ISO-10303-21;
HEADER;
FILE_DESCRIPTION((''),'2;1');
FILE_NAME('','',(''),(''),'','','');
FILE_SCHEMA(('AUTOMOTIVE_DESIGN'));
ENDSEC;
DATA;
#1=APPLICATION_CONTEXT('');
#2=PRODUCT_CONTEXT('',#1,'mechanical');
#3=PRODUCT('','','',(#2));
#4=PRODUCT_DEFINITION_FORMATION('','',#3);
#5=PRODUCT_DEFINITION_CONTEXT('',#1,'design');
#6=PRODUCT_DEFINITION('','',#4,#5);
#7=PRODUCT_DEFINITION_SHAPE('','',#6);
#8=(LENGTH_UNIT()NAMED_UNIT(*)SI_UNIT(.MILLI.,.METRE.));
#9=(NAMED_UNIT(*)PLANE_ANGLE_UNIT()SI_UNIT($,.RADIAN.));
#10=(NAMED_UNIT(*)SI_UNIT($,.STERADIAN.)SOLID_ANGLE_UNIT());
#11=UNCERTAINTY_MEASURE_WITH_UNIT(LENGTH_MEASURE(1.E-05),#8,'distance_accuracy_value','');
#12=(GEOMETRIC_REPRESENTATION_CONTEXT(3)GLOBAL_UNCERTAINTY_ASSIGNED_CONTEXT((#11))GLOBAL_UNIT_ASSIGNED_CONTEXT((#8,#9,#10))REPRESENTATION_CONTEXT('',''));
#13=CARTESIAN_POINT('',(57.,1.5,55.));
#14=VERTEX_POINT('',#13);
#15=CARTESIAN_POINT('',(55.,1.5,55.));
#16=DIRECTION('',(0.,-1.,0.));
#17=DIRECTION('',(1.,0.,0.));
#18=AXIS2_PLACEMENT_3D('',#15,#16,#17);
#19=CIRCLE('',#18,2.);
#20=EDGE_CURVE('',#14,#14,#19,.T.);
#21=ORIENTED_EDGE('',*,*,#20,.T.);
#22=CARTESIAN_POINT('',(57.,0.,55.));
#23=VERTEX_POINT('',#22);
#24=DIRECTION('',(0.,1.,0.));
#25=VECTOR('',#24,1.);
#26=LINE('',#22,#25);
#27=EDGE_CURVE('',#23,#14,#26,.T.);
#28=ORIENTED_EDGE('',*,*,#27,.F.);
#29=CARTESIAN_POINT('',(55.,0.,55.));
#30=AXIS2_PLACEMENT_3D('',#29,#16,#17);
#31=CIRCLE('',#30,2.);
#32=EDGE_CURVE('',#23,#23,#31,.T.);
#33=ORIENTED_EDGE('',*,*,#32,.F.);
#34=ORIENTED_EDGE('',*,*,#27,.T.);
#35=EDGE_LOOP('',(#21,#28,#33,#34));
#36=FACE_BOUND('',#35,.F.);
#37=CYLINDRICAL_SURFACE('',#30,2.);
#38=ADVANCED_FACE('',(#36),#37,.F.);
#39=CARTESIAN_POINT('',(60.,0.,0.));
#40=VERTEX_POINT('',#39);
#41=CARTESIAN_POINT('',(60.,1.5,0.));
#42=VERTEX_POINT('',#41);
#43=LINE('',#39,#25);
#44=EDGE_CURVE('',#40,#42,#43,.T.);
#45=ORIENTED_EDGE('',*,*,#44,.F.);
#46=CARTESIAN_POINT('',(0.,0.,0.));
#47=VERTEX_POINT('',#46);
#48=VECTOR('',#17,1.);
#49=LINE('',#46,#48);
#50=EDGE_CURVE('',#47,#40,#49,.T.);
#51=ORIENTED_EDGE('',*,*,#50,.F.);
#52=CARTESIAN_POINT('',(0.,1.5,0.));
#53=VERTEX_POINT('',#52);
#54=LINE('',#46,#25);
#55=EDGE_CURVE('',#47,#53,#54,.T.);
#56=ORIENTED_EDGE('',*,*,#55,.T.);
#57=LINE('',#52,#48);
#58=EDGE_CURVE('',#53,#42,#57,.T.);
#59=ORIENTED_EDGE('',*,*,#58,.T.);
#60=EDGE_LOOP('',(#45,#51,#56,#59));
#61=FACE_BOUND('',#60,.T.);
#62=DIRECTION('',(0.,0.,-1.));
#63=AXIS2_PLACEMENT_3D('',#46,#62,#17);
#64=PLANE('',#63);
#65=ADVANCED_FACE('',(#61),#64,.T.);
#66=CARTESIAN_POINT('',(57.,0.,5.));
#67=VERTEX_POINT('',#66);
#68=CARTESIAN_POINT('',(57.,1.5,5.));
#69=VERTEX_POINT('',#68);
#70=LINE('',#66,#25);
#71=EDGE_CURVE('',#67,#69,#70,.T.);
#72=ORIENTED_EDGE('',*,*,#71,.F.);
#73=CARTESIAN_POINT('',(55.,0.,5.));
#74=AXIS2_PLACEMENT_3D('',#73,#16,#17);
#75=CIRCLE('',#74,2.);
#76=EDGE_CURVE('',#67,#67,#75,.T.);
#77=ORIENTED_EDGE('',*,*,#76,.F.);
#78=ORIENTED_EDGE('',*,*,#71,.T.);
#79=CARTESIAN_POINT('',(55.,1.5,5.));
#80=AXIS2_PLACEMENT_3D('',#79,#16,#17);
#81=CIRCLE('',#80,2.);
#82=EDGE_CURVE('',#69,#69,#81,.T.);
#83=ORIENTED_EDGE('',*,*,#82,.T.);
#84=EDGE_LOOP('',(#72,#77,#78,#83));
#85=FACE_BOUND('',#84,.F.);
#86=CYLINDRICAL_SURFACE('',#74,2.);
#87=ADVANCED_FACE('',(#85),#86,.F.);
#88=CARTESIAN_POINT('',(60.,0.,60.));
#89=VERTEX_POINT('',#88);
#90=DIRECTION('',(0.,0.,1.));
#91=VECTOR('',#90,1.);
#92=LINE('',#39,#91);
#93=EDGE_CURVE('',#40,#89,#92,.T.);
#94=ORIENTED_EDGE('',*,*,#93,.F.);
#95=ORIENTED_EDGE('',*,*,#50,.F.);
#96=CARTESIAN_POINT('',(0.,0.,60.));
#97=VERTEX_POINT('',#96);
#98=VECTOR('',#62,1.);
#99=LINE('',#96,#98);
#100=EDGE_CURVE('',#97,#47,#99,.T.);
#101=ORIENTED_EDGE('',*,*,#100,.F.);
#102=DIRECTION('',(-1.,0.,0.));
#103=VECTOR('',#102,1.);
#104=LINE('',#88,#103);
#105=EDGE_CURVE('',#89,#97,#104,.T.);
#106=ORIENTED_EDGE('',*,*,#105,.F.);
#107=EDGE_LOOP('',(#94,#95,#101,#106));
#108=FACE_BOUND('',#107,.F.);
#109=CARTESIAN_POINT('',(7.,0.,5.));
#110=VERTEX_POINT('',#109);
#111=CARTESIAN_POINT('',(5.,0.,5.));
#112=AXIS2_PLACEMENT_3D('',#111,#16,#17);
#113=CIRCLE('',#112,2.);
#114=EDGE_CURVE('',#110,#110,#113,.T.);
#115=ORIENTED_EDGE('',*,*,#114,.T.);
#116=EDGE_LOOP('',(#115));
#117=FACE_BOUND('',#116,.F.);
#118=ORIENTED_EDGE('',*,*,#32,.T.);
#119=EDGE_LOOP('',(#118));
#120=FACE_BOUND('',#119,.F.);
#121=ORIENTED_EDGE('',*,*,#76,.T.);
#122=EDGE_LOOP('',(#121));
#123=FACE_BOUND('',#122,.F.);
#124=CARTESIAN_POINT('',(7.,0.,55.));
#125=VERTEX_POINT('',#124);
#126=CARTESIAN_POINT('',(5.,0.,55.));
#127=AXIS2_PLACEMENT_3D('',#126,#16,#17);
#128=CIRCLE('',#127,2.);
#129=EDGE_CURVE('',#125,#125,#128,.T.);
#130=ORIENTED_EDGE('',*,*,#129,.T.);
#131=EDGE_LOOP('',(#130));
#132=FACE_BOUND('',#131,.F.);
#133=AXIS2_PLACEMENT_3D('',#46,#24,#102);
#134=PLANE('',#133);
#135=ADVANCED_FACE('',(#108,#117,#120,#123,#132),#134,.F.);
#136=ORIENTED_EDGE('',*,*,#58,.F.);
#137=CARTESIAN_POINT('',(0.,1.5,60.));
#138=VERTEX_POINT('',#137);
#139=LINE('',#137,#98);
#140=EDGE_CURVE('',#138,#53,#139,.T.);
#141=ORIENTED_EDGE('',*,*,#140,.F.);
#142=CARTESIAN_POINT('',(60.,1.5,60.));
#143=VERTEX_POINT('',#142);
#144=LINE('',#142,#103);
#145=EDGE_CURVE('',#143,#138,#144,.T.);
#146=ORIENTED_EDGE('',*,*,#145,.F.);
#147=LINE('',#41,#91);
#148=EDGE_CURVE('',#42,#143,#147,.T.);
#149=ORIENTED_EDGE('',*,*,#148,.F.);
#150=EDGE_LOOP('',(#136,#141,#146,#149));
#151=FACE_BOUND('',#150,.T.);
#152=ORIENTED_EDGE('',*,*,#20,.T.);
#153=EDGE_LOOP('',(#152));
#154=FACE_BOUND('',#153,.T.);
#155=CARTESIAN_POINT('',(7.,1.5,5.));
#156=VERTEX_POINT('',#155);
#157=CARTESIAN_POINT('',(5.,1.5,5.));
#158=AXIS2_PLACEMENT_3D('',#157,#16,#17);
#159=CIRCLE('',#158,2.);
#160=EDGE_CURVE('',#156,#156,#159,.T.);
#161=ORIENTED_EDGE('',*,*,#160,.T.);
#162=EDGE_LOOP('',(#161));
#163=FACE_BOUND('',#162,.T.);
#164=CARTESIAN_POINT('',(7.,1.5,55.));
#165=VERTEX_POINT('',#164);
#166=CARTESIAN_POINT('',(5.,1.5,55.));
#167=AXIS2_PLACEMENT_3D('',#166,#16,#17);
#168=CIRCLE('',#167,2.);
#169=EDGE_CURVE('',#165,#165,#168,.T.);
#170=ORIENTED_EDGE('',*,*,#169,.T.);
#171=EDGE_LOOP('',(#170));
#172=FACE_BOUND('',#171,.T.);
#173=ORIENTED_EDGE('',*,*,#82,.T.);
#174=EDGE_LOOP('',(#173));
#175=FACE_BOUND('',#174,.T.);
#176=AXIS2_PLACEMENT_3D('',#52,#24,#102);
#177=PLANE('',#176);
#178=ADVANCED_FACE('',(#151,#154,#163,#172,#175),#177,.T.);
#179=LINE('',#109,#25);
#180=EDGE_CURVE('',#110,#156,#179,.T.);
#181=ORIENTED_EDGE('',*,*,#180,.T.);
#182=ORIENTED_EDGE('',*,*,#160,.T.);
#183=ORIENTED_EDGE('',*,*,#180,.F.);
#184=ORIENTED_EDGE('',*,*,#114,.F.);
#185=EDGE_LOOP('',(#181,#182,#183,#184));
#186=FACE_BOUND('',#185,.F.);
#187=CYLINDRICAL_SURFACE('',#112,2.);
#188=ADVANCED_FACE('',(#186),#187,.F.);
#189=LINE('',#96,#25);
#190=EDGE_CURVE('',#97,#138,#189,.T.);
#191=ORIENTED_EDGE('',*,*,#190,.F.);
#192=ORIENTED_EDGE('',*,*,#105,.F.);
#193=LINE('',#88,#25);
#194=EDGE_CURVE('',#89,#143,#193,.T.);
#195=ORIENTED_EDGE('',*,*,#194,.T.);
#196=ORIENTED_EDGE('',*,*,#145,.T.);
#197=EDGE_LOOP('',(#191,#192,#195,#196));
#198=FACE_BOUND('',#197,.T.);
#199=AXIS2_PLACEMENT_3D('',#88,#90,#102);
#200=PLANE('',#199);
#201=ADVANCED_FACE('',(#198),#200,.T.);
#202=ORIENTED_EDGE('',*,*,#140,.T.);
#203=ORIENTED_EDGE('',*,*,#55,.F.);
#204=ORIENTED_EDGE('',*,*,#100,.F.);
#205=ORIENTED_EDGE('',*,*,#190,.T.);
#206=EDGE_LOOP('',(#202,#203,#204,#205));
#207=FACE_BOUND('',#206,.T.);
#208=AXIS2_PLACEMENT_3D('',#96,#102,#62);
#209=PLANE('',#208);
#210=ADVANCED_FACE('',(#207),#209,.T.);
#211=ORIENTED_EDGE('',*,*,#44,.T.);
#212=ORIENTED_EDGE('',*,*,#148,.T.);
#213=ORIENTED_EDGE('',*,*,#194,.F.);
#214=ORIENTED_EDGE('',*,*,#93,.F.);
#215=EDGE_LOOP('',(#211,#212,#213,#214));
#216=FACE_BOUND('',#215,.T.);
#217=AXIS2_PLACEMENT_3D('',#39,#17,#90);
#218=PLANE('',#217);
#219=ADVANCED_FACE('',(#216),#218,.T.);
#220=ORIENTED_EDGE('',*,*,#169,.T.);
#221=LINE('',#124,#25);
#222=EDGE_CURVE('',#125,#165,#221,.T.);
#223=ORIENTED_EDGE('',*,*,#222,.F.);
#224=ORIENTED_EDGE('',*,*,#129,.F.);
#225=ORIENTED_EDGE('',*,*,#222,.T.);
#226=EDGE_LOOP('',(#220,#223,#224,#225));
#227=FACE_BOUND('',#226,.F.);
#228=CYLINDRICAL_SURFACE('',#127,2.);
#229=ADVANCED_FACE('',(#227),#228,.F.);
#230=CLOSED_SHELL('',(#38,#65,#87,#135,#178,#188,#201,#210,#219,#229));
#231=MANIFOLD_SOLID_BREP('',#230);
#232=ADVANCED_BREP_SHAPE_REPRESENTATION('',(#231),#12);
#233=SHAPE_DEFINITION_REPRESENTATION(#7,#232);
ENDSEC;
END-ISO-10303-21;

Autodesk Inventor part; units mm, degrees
ref_plane "YZ Plane" through (0, 0, 0) normal (1, 0, 0) x (0, 1, 0)
ref_plane "XZ Plane" through (0, 0, 0) normal (0, 1, 0) x (-1, 0, 0)
ref_plane "XY Plane" through (0, 0, 0) normal (0, 0, 1) x (1, 0, 0)
sketch "Sketch1" plane through (0, 0, 0) normal (0, 1, 0) x (-1, 0, 0)
  line L0 (0, 0) -> (-60, 0)
  line L1 (-60, 0) -> (-60, 60)
  line L2 (-60, 60) -> (0, 60)
  line L3 (0, 60) -> (0, 0)
  dimension "d0" = 60
  dimension "d1" = 60
extrude "Extrusion1" add sketch "Sketch1" along normal blind 1.5
sketch "Sketch2" plane through (0, 0, 0) normal (0, -1, 0) x (1, 0, 0)
  circle A0 centre (5, 5) radius 2
  circle A1 centre (5, 55) radius 2
  circle A2 centre (55, 55) radius 2
  circle A3 centre (55, 5) radius 2
  line L0 (60, 60) -> (0, 60) projected
  line L1 (60, 0) -> (60, 60) projected
  line L2 (0, 60) -> (0, 0) projected
  line L3 (0, 0) -> (60, 0) projected
  dimension "d4" = 4
  dimension "d5" = 4
  dimension "d6" = 4
  dimension "d7" = 4
  dimension "d8" = 5
  dimension "d9" = 5
  dimension "d10" = 5
  dimension "d11" = 5
  dimension "d12" = 5
  dimension "d13" = 5
  dimension "d14" = 5
  dimension "d15" = 5
extrude "Extrusion2" cut sketch "Sketch2" against normal blind 1.5 keep common part
properties part number "Deksel"
